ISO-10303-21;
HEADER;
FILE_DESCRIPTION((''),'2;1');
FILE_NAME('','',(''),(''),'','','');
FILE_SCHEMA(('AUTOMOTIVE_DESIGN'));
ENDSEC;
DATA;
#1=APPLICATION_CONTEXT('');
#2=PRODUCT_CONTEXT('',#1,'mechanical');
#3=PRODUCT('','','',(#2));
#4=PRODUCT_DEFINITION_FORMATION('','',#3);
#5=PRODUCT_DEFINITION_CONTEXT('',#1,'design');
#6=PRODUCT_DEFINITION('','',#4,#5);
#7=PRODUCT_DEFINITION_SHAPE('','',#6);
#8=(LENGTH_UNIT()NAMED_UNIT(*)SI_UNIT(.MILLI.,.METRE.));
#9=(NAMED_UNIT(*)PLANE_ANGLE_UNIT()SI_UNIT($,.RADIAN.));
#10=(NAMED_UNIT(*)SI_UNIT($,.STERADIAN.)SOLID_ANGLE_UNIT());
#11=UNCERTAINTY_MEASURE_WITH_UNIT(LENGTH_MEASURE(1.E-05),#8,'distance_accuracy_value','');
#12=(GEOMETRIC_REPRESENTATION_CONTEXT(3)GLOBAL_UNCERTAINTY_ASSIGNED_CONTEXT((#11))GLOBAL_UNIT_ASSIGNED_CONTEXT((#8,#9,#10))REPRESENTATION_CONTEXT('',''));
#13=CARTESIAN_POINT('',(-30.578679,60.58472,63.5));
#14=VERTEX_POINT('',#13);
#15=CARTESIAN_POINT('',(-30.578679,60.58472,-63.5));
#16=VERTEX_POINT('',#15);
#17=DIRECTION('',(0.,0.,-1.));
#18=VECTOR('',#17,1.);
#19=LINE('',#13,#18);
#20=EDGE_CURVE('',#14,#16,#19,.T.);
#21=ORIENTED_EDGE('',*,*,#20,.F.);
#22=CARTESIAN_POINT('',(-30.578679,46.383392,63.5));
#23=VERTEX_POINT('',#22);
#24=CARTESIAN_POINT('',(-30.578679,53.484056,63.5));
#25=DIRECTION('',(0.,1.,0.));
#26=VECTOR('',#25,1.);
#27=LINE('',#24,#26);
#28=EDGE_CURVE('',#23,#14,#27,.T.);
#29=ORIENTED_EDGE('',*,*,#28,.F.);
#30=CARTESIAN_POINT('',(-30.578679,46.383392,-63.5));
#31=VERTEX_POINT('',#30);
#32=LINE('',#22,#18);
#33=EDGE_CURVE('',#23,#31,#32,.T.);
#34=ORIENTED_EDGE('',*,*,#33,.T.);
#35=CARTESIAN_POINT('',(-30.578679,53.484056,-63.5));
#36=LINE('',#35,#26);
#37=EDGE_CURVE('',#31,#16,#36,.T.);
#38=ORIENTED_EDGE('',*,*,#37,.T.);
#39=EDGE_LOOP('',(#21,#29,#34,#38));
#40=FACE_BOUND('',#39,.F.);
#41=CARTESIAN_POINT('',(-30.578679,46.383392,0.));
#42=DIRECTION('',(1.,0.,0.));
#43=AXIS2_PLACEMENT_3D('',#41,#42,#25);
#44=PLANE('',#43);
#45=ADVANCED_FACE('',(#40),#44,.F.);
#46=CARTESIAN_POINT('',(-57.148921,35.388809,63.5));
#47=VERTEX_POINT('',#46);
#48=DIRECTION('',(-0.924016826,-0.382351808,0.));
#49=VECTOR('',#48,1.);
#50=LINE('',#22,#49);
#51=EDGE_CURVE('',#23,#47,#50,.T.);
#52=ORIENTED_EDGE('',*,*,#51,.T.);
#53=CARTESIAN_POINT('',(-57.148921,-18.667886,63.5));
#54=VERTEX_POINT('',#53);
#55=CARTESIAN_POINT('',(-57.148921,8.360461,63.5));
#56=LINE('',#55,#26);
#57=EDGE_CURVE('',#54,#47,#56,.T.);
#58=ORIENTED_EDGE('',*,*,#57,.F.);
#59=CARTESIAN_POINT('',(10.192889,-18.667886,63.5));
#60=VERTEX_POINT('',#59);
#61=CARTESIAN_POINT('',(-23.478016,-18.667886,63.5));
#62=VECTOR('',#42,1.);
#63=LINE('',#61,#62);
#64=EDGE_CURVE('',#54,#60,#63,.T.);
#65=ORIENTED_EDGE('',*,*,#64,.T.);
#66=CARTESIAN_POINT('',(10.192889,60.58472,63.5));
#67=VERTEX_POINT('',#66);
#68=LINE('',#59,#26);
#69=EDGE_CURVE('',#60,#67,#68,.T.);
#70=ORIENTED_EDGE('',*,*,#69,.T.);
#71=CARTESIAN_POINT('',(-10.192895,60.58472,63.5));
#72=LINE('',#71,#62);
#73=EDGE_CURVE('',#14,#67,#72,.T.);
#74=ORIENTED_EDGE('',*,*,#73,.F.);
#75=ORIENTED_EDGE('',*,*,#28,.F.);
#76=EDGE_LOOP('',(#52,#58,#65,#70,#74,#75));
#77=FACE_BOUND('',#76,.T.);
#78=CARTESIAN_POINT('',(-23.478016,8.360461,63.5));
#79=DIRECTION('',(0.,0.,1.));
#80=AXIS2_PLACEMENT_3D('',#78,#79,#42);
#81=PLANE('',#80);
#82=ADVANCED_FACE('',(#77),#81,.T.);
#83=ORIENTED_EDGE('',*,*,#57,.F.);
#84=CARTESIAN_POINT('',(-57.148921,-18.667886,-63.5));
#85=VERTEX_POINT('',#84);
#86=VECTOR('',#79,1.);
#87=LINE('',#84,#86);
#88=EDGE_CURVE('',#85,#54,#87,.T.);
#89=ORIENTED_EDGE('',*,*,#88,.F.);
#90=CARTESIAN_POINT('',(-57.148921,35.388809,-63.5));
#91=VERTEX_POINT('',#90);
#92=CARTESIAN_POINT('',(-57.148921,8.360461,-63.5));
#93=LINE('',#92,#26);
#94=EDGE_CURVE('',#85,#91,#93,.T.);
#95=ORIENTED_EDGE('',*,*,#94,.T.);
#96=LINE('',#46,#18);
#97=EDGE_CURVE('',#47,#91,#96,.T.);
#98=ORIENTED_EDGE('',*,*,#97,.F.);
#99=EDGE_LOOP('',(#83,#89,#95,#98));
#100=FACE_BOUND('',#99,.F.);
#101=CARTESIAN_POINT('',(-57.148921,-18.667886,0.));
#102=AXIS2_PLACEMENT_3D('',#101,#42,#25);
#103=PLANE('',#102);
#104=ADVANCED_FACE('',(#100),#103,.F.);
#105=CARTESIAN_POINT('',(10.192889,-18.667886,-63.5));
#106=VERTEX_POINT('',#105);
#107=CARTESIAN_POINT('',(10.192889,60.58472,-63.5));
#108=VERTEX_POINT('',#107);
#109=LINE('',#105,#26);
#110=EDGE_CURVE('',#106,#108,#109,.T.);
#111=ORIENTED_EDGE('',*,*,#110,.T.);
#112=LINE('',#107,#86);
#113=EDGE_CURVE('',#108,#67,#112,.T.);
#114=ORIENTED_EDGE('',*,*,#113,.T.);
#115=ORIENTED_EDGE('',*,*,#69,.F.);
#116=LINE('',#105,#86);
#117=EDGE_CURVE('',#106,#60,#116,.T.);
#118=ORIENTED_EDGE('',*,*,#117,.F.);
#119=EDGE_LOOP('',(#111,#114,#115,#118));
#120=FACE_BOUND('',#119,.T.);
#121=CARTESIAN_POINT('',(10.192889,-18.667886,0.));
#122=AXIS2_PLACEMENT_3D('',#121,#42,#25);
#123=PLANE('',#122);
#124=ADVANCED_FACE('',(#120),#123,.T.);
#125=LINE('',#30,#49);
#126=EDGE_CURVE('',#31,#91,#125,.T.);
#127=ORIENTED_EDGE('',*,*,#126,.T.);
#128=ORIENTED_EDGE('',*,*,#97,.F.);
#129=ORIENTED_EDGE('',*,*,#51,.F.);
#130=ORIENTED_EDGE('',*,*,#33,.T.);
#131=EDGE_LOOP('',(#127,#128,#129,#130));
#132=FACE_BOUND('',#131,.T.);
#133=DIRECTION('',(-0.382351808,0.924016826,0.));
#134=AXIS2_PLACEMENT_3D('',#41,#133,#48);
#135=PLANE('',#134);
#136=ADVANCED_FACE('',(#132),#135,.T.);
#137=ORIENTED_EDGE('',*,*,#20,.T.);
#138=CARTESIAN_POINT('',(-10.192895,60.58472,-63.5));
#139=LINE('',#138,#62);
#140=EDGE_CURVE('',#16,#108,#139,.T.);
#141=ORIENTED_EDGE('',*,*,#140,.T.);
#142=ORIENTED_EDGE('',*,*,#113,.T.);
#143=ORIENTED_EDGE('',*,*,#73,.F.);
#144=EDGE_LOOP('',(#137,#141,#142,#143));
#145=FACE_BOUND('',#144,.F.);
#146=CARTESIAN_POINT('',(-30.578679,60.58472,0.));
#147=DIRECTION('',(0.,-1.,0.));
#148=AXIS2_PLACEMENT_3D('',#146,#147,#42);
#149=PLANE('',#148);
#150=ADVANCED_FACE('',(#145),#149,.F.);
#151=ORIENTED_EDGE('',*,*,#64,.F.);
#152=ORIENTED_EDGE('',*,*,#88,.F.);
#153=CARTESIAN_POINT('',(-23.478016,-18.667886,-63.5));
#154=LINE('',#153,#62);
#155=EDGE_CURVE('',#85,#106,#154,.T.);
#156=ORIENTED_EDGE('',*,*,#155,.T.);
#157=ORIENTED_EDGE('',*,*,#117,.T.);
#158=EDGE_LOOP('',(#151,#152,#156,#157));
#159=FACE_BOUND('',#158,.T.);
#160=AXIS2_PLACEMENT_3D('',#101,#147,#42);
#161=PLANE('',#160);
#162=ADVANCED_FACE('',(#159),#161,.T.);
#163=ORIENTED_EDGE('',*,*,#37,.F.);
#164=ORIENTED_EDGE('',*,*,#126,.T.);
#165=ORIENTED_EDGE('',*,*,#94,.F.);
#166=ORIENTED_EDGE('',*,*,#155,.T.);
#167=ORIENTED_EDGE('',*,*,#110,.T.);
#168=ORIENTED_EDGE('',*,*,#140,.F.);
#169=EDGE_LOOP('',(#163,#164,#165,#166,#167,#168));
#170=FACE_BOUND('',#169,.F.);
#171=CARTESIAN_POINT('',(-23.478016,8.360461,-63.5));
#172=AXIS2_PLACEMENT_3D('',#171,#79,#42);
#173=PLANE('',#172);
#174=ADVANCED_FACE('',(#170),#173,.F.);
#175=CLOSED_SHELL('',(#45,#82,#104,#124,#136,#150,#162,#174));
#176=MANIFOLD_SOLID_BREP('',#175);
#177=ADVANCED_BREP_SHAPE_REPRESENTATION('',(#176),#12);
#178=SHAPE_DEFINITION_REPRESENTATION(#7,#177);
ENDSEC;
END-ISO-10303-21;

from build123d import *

# Parameters (mm, degrees)
F0_W     = 67.3418100923
F0_H     = 54.0566947311
F0_W_2   = 40.771568194
F0_H_2   = 14.2013281584
F1_DEPTH = 63.5


with BuildPart() as f1:
    # F0 (on Top) → F1 (new body, symmetric)
    with BuildSketch(Plane.XY):
        with Locations((-23.4780162573, 8.3604613319)):
            Rectangle(F0_W, F0_H)
        Polygon((-57.1489213035, 35.3888086975), (10.1928887889, 35.3888086975), (10.1928887889, 46.3833920658), (-30.5786794052, 46.3833920658), align=None)
        with Locations((-10.1928953081, 53.484056145)):
            Rectangle(F0_W_2, F0_H_2)
    extrude(amount=F1_DEPTH, both=True)


solid = f1.part
